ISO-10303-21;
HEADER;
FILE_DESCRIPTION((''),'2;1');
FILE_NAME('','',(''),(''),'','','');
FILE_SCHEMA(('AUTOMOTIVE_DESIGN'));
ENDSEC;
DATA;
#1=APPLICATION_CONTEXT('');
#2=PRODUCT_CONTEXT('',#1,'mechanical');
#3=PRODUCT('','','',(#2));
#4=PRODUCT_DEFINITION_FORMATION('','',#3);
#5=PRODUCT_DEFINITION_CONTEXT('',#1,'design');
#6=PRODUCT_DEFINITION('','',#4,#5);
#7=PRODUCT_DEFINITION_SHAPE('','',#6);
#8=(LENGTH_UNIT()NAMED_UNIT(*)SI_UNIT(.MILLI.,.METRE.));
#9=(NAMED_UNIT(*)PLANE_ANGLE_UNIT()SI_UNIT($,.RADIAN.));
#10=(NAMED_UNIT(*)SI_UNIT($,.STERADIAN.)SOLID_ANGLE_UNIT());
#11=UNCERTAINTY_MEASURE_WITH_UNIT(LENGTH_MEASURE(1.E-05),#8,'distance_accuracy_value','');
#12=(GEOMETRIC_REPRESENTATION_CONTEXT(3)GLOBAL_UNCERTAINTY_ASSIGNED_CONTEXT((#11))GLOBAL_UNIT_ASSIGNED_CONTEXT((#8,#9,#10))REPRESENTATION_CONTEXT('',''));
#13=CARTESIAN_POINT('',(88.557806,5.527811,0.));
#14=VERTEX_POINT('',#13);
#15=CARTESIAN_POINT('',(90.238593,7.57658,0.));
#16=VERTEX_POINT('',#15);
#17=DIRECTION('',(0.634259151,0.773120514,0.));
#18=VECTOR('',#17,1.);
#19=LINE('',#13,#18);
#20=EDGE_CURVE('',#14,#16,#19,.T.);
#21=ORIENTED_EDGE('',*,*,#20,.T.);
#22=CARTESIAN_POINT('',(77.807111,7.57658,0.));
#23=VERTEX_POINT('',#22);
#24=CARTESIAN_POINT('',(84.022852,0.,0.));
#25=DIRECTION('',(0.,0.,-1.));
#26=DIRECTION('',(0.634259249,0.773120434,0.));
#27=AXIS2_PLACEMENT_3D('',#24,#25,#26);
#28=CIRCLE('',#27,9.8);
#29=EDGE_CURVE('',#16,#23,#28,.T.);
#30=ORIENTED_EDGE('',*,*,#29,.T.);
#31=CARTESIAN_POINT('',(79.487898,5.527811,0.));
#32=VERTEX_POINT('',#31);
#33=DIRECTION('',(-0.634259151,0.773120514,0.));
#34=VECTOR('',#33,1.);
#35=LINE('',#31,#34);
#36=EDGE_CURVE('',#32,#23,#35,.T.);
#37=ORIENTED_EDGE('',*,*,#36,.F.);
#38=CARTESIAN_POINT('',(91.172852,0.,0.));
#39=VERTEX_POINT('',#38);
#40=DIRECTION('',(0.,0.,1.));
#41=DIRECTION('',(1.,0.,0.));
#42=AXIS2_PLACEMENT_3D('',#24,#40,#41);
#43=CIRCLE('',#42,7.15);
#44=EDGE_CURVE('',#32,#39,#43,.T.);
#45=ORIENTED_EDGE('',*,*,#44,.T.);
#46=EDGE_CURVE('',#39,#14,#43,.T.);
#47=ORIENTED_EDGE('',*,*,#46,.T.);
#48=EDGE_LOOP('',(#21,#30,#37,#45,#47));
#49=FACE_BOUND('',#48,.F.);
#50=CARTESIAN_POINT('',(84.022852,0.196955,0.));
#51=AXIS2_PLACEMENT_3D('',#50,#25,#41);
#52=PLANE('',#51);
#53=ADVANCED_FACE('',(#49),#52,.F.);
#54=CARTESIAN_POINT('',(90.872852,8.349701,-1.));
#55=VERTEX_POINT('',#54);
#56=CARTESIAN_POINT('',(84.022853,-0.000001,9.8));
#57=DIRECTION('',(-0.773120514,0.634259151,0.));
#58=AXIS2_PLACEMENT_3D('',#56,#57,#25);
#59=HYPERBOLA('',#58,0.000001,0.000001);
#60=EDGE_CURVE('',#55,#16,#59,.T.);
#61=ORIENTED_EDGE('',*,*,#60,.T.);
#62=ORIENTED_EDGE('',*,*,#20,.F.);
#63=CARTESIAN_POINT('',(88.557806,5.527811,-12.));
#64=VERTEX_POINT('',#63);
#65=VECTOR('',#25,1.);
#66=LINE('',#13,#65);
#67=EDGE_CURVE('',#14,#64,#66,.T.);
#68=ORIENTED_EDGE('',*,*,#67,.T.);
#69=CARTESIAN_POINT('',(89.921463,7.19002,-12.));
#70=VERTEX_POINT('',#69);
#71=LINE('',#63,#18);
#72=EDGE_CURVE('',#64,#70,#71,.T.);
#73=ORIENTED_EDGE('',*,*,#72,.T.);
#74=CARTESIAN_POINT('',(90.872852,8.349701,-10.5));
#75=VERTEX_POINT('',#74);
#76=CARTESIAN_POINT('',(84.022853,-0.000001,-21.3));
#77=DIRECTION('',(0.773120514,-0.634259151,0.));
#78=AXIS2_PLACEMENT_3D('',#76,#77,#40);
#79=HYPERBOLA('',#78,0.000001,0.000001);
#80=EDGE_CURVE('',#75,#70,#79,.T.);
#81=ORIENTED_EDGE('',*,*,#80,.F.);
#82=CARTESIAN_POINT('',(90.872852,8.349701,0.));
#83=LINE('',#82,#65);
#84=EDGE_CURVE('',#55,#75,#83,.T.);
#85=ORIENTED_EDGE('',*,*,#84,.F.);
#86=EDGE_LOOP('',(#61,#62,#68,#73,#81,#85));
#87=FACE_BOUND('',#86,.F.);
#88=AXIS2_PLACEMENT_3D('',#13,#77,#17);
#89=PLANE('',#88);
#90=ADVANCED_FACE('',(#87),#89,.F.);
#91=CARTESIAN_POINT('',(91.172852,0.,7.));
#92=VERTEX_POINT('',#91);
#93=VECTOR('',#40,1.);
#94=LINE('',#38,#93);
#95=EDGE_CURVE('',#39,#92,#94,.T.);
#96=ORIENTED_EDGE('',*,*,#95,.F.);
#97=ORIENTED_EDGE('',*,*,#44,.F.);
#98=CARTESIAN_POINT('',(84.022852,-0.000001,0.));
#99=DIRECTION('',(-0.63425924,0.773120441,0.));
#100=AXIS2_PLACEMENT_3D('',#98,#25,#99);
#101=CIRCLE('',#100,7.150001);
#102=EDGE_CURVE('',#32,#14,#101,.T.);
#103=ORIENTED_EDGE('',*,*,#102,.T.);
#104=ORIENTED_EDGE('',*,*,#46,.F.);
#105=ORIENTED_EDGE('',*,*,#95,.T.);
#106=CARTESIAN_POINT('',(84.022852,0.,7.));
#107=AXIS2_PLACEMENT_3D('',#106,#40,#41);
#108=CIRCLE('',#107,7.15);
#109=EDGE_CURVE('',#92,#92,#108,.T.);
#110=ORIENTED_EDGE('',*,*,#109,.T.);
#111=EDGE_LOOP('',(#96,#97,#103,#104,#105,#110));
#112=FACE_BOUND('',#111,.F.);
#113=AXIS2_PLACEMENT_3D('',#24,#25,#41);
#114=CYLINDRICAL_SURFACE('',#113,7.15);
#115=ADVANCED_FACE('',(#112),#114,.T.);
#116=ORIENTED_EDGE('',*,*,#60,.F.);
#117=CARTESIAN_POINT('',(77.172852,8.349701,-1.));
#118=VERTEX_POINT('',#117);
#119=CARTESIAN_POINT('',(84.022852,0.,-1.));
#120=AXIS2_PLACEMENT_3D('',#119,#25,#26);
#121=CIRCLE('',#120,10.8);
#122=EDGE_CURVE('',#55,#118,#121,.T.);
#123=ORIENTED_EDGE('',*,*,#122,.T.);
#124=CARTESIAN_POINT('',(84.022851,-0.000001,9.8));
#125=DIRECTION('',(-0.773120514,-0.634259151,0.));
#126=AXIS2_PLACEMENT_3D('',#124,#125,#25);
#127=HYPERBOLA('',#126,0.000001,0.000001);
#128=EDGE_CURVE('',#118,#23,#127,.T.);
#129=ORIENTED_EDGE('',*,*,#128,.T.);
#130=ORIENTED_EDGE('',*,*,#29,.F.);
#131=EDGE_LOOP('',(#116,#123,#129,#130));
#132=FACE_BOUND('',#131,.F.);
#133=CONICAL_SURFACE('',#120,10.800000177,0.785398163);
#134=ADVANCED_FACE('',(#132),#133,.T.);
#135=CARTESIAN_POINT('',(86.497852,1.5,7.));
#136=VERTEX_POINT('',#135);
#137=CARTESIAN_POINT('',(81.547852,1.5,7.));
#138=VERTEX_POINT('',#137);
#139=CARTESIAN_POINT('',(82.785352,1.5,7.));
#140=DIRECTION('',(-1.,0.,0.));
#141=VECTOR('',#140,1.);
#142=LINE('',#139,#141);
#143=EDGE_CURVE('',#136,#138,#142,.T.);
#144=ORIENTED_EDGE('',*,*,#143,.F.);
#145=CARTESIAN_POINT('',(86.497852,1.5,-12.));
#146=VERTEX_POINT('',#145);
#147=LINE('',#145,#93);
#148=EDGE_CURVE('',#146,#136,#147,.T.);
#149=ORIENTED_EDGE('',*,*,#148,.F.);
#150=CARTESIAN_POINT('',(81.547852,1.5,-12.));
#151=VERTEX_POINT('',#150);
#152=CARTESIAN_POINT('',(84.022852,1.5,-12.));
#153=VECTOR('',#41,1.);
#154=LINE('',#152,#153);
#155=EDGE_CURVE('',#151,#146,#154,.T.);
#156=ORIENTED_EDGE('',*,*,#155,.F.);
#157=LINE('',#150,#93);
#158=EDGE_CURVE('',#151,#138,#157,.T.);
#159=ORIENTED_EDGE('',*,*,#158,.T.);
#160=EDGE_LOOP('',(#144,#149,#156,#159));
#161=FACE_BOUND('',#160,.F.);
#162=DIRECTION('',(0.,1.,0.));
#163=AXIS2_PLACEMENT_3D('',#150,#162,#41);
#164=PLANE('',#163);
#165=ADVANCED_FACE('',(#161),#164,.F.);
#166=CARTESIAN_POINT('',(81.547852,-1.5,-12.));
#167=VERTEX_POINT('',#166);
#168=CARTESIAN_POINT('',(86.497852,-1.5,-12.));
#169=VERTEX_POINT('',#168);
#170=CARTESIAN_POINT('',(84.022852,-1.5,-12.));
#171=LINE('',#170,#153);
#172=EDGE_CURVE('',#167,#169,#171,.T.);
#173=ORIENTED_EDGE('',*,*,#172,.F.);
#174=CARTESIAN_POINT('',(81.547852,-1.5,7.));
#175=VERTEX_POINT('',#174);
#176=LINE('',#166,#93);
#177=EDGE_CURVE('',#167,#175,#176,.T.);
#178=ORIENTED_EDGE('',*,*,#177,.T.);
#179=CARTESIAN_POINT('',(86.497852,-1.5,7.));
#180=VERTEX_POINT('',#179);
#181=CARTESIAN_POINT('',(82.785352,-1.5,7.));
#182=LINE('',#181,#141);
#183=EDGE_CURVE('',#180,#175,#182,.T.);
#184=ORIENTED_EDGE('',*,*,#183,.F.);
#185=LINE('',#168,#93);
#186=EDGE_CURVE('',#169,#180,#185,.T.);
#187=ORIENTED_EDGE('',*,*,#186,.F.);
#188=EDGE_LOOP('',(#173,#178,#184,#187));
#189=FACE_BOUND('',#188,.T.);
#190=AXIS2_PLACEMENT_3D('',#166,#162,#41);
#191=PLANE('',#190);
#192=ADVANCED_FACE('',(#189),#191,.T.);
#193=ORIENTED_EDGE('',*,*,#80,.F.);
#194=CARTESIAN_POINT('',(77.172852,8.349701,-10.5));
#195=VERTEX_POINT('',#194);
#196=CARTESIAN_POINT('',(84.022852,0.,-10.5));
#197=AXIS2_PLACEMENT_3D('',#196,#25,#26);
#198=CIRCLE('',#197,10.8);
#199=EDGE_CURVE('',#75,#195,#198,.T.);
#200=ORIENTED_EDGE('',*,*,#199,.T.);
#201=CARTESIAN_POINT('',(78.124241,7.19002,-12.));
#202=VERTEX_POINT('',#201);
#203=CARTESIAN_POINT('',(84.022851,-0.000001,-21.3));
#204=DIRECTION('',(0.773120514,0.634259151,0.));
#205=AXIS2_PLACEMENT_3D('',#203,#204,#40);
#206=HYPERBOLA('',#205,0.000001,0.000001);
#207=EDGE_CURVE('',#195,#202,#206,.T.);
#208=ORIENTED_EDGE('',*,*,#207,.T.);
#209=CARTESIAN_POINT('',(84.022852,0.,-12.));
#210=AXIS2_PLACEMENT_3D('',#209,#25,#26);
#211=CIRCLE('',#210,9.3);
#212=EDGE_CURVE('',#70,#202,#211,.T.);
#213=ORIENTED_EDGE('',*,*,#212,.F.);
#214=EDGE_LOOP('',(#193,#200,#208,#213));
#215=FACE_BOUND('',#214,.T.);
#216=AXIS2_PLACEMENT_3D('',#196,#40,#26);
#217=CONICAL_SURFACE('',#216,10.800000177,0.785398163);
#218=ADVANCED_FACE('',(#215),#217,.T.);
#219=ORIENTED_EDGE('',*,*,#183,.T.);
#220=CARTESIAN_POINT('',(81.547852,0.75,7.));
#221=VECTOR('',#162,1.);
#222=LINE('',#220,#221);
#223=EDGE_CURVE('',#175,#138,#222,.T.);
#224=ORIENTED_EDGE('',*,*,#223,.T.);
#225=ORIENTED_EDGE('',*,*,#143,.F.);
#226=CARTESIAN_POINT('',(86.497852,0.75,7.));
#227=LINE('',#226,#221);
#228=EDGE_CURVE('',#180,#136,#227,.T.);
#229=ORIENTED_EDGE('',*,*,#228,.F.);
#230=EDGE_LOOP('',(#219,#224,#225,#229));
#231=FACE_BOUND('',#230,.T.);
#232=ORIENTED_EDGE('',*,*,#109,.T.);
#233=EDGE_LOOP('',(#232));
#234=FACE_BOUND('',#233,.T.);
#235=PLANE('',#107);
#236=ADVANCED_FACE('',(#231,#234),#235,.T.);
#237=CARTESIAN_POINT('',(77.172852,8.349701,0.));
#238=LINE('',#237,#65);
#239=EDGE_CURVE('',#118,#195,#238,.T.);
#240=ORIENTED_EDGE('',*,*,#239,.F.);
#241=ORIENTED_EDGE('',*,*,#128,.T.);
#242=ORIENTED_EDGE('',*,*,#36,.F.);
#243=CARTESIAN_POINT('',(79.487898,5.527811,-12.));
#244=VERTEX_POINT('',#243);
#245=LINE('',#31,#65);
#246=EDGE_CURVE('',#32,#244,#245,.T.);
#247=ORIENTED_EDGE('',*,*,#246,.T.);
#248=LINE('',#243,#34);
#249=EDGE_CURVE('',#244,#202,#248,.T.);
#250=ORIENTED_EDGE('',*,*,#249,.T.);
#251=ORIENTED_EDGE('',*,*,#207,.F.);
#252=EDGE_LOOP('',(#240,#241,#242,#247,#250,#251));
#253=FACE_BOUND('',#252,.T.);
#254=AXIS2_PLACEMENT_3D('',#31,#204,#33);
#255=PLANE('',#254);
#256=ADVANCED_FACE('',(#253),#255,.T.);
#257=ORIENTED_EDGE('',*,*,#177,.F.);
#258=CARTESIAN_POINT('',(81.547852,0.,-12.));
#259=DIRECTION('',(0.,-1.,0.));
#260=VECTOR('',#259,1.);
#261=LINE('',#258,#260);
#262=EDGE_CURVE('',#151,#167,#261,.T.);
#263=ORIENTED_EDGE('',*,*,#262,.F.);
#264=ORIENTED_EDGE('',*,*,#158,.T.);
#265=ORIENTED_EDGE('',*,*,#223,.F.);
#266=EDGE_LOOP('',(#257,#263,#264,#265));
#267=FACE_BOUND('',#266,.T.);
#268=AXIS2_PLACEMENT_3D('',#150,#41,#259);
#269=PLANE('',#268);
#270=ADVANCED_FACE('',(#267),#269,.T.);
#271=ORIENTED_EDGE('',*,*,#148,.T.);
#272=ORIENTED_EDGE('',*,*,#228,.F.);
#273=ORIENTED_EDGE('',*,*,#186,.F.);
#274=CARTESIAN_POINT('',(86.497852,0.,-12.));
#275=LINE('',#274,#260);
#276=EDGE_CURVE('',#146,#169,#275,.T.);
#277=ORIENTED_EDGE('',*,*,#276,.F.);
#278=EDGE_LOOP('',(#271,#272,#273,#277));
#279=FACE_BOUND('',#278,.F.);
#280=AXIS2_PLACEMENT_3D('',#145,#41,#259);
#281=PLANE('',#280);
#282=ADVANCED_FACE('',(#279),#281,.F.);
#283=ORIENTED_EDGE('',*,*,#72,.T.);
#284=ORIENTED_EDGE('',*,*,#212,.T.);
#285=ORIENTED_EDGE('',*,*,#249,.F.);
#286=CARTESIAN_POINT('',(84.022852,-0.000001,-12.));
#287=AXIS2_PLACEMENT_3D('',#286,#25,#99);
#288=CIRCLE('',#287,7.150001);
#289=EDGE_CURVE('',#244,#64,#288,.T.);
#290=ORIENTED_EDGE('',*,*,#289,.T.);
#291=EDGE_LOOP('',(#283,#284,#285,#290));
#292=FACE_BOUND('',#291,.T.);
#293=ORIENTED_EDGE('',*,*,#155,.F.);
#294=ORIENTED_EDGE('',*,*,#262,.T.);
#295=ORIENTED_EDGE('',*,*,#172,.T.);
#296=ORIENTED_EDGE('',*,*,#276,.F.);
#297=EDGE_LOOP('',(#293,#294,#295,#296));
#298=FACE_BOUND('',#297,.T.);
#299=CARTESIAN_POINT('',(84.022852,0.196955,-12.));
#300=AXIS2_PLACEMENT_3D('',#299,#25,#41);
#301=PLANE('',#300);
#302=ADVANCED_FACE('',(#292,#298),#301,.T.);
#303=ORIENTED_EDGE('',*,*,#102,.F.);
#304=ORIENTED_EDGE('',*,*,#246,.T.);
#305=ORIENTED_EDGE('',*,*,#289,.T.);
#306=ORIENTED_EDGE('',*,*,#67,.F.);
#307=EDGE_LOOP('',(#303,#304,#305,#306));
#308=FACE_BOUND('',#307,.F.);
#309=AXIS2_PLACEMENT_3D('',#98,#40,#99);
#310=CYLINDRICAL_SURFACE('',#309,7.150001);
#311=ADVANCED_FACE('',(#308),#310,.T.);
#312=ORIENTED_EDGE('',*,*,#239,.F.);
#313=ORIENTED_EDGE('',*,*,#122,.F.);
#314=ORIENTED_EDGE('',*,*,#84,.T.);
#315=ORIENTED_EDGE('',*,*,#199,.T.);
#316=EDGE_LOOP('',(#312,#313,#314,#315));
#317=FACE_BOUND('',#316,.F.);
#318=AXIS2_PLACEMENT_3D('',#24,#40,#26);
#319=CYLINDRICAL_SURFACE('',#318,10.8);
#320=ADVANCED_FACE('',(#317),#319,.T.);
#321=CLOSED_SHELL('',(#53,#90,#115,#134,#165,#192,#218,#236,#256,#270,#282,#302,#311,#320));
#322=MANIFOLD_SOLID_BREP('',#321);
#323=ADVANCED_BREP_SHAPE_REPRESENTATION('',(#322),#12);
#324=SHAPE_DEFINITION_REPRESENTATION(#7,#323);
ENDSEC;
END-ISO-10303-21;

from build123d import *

# Parameters (mm, degrees)
SKETCH009_R     = 7.15
PAD009_DEPTH    = 7
PAD010_DEPTH    = 12
SKETCH011_W     = 4.95
SKETCH011_H     = 3
POCKET_DEPTH    = 19.001
CHAMFER_SIZE    = 1.5
CHAMFER001_SIZE = 1


with BuildPart() as part:
    # Sketch009 → Pad009 (new body)
    with BuildSketch(Plane.XY):
        with Locations((84.022852, 0)):
            Circle(SKETCH009_R)
    extrude(amount=PAD009_DEPTH)

    # Sketch010 (on Face2 of Pad009) → Pad010 (join)
    with BuildSketch(Plane(origin=(0, 0, 0), x_dir=(1, 0, 0), z_dir=(0, 0, -1))):
        with BuildLine():
            ThreePointArc((90.872852, -8.349701), (84.022852, 10.8), (77.172852, -8.349701))
            Line((79.487898, -5.527811), (77.172852, -8.349701))
            ThreePointArc((79.487898, -5.527811), (84.022852, -7.15), (88.557806, -5.527811))
            Line((88.557806, -5.527811), (90.872852, -8.349701))
        make_face()
    extrude(amount=PAD010_DEPTH)

    # Sketch011 (on Face8 of Pad010) → Pocket (cut, through all)
    with BuildSketch(Plane(origin=(0, 0, -12), x_dir=(1, 0, 0), z_dir=(0, 0, -1))):
        with Locations((84.022852, 0)):
            Rectangle(SKETCH011_W, SKETCH011_H)
    extrude(amount=-POCKET_DEPTH, mode=Mode.SUBTRACT)

    # Chamfer
    chamfer_edges = [part.edges().sort_by_distance(p)[0] for p in [
        (84.022852, -10.8, -12),
    ]]
    chamfer(chamfer_edges, length=CHAMFER_SIZE)

    # Chamfer001
    chamfer001_edges = [part.edges().sort_by_distance(p)[0] for p in [
        (84.022852, -10.8, 0),
    ]]
    chamfer(chamfer001_edges, length=CHAMFER001_SIZE)


solid = part.part
